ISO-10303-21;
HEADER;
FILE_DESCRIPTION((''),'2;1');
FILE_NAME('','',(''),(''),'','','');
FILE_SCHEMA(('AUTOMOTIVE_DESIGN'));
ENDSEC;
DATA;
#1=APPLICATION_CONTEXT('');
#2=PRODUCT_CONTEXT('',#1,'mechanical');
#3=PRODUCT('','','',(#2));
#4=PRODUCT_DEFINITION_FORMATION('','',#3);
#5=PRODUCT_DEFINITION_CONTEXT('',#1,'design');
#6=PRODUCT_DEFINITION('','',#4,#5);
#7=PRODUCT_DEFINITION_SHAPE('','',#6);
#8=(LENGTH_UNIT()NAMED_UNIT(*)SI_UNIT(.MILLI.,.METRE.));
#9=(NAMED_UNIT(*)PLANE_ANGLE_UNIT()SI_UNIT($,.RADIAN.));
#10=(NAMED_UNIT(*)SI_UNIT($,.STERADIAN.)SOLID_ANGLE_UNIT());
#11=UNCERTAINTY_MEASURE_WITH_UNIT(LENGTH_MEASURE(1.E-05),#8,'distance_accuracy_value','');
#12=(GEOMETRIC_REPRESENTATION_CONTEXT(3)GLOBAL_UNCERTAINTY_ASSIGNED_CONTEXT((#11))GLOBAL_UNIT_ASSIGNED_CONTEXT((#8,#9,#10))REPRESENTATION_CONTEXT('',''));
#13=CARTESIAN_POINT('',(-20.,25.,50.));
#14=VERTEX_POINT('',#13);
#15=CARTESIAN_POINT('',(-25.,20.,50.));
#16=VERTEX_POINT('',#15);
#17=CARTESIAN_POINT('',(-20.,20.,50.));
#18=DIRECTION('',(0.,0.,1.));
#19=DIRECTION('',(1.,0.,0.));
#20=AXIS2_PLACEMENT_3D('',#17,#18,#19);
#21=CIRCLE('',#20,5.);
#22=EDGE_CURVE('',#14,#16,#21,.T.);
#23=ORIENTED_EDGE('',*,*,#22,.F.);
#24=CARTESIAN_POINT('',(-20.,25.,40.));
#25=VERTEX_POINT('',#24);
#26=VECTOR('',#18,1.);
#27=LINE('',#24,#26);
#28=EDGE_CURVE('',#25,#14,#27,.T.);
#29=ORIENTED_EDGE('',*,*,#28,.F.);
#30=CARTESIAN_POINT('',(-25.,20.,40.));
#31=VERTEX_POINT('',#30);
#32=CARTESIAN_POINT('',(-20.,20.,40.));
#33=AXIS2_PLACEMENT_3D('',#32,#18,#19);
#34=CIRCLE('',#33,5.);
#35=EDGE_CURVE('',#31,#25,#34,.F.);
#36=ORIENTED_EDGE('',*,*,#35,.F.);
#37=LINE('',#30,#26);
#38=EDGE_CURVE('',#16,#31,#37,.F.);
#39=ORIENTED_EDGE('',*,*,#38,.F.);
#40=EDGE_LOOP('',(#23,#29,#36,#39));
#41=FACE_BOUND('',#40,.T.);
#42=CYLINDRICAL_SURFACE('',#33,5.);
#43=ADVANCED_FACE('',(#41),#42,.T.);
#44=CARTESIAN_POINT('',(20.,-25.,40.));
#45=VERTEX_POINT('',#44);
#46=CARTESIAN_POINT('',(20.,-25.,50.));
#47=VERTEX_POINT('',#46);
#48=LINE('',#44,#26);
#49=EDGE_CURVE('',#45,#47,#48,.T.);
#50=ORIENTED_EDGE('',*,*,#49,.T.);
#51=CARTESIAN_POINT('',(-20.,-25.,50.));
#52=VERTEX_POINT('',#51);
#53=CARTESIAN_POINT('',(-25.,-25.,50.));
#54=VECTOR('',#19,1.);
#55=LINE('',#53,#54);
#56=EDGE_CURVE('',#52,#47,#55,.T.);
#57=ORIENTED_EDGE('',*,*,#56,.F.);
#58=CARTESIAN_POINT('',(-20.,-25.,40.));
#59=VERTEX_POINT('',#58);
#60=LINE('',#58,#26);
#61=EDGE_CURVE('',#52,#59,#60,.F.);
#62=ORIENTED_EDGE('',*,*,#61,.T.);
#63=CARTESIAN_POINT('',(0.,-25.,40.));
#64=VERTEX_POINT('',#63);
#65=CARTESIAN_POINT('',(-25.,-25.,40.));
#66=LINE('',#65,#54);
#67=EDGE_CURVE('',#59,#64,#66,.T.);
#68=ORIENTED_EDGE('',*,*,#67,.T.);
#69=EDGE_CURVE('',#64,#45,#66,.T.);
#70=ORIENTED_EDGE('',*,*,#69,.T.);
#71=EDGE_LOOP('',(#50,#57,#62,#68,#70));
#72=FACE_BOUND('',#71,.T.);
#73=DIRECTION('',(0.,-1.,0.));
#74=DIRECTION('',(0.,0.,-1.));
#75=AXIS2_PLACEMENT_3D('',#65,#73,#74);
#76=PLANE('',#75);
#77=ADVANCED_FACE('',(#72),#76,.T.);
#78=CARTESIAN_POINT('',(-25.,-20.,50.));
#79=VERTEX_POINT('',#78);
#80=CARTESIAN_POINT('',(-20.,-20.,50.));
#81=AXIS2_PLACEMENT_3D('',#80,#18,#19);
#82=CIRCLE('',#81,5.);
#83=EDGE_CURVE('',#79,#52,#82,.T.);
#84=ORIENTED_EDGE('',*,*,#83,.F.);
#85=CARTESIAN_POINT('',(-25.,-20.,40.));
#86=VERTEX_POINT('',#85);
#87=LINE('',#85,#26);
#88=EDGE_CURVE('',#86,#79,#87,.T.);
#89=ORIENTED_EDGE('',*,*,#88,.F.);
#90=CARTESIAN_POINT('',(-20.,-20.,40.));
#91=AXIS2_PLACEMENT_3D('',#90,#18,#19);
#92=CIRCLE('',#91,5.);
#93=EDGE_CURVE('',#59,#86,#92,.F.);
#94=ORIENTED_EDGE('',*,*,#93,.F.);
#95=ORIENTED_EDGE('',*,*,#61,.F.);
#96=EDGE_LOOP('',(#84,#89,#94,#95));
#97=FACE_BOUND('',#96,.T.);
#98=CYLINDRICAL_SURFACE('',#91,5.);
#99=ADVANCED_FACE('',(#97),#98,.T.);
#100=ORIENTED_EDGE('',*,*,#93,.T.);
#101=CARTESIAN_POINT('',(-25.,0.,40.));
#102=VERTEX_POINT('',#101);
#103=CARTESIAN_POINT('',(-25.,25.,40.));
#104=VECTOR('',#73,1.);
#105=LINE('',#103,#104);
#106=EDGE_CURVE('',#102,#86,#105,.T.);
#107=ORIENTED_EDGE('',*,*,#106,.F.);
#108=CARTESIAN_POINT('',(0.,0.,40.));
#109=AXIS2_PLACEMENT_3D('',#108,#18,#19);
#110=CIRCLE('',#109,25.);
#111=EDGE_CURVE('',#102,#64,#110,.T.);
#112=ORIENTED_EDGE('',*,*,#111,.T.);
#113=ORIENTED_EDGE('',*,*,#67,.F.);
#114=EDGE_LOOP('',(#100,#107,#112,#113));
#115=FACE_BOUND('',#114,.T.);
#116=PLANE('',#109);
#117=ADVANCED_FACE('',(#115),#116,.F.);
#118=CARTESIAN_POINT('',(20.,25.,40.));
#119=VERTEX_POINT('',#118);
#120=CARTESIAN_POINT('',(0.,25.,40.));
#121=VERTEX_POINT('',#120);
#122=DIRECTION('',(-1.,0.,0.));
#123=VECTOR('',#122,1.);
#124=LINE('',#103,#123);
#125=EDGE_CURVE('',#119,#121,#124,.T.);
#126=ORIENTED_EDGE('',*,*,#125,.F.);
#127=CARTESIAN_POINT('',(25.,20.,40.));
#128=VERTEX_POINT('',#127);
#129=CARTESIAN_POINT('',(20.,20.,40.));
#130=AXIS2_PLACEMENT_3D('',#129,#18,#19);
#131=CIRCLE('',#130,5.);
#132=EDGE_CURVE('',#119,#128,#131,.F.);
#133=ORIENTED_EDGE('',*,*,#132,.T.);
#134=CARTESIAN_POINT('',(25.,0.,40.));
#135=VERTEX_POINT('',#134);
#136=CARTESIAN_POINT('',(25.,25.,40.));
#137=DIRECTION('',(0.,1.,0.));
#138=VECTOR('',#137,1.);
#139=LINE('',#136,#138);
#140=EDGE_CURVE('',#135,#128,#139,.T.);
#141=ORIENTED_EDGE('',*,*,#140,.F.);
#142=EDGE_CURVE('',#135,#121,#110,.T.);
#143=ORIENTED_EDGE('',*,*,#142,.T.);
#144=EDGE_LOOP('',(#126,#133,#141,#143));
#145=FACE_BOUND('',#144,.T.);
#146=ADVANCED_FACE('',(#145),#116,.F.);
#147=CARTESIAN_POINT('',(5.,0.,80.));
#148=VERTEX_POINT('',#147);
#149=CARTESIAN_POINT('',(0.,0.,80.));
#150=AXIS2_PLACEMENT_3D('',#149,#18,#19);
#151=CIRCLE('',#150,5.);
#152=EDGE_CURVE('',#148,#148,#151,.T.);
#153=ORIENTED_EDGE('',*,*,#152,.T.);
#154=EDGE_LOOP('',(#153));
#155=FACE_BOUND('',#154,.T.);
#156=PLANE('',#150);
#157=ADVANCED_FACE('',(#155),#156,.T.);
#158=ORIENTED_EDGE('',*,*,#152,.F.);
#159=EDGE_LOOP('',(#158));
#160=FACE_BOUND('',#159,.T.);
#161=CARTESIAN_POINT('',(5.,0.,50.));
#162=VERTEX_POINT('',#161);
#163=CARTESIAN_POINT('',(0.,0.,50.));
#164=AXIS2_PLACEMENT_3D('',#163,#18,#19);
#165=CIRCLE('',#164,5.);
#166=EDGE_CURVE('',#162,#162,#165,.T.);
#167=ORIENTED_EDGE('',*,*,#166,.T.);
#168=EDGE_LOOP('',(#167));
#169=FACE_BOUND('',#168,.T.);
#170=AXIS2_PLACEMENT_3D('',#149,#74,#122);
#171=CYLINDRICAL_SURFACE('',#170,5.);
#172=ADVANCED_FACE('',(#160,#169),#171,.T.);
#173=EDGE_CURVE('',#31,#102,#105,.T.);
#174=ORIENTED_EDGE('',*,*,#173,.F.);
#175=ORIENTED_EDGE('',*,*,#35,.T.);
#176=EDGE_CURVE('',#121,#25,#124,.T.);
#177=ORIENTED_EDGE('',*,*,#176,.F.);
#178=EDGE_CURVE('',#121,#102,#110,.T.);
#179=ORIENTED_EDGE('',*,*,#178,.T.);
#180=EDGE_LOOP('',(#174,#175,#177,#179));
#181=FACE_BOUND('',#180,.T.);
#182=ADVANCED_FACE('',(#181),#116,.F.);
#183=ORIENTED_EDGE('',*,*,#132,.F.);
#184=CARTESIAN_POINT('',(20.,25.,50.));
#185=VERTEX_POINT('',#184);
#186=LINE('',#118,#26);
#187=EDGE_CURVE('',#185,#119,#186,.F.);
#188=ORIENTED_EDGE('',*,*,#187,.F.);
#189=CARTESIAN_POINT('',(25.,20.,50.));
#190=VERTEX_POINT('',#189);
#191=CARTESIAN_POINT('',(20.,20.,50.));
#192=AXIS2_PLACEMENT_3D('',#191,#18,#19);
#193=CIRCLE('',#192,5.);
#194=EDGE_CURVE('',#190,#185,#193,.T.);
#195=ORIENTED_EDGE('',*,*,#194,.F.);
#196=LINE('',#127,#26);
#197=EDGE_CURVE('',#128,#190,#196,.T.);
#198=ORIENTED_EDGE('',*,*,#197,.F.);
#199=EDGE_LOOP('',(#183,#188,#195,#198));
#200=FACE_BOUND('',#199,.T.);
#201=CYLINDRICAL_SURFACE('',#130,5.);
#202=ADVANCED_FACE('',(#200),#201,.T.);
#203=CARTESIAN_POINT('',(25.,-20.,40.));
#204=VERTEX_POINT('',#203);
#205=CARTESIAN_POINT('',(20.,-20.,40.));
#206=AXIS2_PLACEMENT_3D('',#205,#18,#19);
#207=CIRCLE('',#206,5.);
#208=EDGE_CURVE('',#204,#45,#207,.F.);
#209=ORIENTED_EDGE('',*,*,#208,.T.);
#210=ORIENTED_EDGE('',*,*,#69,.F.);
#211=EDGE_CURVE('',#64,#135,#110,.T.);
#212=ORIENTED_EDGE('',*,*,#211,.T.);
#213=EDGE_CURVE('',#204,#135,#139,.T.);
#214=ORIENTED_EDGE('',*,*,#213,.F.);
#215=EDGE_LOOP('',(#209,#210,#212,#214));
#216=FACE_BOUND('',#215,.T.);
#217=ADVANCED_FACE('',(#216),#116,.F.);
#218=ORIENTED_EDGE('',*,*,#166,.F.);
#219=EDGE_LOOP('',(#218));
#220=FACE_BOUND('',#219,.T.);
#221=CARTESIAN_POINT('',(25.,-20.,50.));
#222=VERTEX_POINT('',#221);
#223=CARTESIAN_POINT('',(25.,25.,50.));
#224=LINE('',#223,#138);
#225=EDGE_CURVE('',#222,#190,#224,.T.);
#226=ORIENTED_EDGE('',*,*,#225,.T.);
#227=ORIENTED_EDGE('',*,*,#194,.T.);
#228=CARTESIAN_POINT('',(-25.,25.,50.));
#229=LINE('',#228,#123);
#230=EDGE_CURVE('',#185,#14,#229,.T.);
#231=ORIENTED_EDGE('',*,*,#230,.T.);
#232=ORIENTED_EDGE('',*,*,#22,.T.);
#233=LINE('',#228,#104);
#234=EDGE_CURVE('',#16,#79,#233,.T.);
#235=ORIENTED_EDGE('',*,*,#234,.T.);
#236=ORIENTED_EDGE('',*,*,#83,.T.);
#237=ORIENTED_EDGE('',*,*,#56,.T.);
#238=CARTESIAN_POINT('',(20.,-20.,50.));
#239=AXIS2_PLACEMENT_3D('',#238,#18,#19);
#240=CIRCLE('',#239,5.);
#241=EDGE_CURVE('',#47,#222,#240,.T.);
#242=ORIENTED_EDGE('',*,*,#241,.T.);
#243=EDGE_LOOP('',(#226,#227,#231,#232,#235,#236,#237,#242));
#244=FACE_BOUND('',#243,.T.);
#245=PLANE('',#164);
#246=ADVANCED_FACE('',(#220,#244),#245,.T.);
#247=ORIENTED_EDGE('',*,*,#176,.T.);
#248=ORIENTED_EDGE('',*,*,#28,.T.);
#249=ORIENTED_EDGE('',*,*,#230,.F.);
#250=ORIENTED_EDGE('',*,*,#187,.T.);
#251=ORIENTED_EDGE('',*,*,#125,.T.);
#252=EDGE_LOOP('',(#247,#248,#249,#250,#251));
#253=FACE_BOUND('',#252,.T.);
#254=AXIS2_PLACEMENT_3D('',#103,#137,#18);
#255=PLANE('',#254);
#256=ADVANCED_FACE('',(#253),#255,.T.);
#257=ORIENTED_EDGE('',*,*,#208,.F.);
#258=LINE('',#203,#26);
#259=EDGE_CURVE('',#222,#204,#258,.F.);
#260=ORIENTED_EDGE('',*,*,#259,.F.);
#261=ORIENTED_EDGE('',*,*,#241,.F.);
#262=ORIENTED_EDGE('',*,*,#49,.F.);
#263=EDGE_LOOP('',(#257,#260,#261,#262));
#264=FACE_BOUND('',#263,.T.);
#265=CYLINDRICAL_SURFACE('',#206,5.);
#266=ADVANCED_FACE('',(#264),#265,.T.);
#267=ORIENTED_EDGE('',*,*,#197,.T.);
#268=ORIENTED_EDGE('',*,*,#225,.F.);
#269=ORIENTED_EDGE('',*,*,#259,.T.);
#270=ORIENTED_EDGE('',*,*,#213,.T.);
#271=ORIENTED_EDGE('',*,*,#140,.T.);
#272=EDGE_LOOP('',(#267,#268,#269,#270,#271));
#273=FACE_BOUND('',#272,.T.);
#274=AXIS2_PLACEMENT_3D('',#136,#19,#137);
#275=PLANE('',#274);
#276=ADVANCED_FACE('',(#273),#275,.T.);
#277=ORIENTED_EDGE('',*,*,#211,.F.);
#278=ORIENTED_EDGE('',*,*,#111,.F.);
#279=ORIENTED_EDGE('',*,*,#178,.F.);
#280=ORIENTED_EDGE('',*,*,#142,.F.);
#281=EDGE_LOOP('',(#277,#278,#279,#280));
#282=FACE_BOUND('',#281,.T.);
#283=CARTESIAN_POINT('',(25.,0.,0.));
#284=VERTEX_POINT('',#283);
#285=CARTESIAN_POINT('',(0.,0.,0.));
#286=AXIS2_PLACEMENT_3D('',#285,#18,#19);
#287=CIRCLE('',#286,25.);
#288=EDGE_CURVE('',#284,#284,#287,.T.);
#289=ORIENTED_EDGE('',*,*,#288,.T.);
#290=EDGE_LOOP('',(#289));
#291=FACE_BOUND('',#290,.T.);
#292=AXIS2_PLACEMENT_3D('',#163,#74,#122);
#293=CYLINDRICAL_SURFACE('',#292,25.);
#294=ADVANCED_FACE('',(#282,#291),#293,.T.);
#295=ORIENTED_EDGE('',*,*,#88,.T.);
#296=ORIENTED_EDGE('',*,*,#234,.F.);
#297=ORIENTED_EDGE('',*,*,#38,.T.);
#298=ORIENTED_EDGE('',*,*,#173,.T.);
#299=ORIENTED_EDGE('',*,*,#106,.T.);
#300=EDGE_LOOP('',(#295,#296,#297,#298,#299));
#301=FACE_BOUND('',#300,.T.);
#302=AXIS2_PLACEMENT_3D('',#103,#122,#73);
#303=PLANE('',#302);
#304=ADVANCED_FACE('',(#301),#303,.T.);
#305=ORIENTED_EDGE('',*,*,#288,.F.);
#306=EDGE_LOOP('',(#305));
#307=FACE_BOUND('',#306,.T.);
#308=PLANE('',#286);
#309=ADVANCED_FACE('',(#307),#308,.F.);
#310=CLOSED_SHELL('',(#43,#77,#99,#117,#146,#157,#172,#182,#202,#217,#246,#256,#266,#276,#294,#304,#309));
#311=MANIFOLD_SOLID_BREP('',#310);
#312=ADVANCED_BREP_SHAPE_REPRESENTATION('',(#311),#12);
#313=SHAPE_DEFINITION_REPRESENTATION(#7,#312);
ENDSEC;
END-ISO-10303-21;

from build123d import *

# Parameters (mm, degrees)
SKETCH1_R           = 25
BOSS_EXTRUDE1_DEPTH = 50
SKETCH2_R           = 5
BOSS_EXTRUDE2_DEPTH = 30
SKETCH3_W           = 50
SKETCH3_H           = 50
BOSS_EXTRUDE3_DEPTH = 10
FILLET1_R           = 5


with BuildPart() as part:
    # Sketch1 → Boss-Extrude1 (new body)
    with BuildSketch(Plane.XY):
        Circle(SKETCH1_R)
    extrude(amount=BOSS_EXTRUDE1_DEPTH)

    # Sketch2 → Boss-Extrude2 (add)
    with BuildSketch(Plane.XY.offset(50)):
        Circle(SKETCH2_R)
    extrude(amount=BOSS_EXTRUDE2_DEPTH)

    # Sketch3 → Boss-Extrude3 (add)
    with BuildSketch(Plane.XY.offset(50)):
        Rectangle(SKETCH3_W, SKETCH3_H)
    extrude(amount=-BOSS_EXTRUDE3_DEPTH)

    # Fillet1
    fillet1_edges = [part.edges().sort_by_distance(p)[0] for p in [
        (25, 25, 45),
        (25, -25, 45),
        (-25, -25, 45),
        (-25, 25, 45),
    ]]
    fillet(fillet1_edges, radius=FILLET1_R)


solid = part.part
